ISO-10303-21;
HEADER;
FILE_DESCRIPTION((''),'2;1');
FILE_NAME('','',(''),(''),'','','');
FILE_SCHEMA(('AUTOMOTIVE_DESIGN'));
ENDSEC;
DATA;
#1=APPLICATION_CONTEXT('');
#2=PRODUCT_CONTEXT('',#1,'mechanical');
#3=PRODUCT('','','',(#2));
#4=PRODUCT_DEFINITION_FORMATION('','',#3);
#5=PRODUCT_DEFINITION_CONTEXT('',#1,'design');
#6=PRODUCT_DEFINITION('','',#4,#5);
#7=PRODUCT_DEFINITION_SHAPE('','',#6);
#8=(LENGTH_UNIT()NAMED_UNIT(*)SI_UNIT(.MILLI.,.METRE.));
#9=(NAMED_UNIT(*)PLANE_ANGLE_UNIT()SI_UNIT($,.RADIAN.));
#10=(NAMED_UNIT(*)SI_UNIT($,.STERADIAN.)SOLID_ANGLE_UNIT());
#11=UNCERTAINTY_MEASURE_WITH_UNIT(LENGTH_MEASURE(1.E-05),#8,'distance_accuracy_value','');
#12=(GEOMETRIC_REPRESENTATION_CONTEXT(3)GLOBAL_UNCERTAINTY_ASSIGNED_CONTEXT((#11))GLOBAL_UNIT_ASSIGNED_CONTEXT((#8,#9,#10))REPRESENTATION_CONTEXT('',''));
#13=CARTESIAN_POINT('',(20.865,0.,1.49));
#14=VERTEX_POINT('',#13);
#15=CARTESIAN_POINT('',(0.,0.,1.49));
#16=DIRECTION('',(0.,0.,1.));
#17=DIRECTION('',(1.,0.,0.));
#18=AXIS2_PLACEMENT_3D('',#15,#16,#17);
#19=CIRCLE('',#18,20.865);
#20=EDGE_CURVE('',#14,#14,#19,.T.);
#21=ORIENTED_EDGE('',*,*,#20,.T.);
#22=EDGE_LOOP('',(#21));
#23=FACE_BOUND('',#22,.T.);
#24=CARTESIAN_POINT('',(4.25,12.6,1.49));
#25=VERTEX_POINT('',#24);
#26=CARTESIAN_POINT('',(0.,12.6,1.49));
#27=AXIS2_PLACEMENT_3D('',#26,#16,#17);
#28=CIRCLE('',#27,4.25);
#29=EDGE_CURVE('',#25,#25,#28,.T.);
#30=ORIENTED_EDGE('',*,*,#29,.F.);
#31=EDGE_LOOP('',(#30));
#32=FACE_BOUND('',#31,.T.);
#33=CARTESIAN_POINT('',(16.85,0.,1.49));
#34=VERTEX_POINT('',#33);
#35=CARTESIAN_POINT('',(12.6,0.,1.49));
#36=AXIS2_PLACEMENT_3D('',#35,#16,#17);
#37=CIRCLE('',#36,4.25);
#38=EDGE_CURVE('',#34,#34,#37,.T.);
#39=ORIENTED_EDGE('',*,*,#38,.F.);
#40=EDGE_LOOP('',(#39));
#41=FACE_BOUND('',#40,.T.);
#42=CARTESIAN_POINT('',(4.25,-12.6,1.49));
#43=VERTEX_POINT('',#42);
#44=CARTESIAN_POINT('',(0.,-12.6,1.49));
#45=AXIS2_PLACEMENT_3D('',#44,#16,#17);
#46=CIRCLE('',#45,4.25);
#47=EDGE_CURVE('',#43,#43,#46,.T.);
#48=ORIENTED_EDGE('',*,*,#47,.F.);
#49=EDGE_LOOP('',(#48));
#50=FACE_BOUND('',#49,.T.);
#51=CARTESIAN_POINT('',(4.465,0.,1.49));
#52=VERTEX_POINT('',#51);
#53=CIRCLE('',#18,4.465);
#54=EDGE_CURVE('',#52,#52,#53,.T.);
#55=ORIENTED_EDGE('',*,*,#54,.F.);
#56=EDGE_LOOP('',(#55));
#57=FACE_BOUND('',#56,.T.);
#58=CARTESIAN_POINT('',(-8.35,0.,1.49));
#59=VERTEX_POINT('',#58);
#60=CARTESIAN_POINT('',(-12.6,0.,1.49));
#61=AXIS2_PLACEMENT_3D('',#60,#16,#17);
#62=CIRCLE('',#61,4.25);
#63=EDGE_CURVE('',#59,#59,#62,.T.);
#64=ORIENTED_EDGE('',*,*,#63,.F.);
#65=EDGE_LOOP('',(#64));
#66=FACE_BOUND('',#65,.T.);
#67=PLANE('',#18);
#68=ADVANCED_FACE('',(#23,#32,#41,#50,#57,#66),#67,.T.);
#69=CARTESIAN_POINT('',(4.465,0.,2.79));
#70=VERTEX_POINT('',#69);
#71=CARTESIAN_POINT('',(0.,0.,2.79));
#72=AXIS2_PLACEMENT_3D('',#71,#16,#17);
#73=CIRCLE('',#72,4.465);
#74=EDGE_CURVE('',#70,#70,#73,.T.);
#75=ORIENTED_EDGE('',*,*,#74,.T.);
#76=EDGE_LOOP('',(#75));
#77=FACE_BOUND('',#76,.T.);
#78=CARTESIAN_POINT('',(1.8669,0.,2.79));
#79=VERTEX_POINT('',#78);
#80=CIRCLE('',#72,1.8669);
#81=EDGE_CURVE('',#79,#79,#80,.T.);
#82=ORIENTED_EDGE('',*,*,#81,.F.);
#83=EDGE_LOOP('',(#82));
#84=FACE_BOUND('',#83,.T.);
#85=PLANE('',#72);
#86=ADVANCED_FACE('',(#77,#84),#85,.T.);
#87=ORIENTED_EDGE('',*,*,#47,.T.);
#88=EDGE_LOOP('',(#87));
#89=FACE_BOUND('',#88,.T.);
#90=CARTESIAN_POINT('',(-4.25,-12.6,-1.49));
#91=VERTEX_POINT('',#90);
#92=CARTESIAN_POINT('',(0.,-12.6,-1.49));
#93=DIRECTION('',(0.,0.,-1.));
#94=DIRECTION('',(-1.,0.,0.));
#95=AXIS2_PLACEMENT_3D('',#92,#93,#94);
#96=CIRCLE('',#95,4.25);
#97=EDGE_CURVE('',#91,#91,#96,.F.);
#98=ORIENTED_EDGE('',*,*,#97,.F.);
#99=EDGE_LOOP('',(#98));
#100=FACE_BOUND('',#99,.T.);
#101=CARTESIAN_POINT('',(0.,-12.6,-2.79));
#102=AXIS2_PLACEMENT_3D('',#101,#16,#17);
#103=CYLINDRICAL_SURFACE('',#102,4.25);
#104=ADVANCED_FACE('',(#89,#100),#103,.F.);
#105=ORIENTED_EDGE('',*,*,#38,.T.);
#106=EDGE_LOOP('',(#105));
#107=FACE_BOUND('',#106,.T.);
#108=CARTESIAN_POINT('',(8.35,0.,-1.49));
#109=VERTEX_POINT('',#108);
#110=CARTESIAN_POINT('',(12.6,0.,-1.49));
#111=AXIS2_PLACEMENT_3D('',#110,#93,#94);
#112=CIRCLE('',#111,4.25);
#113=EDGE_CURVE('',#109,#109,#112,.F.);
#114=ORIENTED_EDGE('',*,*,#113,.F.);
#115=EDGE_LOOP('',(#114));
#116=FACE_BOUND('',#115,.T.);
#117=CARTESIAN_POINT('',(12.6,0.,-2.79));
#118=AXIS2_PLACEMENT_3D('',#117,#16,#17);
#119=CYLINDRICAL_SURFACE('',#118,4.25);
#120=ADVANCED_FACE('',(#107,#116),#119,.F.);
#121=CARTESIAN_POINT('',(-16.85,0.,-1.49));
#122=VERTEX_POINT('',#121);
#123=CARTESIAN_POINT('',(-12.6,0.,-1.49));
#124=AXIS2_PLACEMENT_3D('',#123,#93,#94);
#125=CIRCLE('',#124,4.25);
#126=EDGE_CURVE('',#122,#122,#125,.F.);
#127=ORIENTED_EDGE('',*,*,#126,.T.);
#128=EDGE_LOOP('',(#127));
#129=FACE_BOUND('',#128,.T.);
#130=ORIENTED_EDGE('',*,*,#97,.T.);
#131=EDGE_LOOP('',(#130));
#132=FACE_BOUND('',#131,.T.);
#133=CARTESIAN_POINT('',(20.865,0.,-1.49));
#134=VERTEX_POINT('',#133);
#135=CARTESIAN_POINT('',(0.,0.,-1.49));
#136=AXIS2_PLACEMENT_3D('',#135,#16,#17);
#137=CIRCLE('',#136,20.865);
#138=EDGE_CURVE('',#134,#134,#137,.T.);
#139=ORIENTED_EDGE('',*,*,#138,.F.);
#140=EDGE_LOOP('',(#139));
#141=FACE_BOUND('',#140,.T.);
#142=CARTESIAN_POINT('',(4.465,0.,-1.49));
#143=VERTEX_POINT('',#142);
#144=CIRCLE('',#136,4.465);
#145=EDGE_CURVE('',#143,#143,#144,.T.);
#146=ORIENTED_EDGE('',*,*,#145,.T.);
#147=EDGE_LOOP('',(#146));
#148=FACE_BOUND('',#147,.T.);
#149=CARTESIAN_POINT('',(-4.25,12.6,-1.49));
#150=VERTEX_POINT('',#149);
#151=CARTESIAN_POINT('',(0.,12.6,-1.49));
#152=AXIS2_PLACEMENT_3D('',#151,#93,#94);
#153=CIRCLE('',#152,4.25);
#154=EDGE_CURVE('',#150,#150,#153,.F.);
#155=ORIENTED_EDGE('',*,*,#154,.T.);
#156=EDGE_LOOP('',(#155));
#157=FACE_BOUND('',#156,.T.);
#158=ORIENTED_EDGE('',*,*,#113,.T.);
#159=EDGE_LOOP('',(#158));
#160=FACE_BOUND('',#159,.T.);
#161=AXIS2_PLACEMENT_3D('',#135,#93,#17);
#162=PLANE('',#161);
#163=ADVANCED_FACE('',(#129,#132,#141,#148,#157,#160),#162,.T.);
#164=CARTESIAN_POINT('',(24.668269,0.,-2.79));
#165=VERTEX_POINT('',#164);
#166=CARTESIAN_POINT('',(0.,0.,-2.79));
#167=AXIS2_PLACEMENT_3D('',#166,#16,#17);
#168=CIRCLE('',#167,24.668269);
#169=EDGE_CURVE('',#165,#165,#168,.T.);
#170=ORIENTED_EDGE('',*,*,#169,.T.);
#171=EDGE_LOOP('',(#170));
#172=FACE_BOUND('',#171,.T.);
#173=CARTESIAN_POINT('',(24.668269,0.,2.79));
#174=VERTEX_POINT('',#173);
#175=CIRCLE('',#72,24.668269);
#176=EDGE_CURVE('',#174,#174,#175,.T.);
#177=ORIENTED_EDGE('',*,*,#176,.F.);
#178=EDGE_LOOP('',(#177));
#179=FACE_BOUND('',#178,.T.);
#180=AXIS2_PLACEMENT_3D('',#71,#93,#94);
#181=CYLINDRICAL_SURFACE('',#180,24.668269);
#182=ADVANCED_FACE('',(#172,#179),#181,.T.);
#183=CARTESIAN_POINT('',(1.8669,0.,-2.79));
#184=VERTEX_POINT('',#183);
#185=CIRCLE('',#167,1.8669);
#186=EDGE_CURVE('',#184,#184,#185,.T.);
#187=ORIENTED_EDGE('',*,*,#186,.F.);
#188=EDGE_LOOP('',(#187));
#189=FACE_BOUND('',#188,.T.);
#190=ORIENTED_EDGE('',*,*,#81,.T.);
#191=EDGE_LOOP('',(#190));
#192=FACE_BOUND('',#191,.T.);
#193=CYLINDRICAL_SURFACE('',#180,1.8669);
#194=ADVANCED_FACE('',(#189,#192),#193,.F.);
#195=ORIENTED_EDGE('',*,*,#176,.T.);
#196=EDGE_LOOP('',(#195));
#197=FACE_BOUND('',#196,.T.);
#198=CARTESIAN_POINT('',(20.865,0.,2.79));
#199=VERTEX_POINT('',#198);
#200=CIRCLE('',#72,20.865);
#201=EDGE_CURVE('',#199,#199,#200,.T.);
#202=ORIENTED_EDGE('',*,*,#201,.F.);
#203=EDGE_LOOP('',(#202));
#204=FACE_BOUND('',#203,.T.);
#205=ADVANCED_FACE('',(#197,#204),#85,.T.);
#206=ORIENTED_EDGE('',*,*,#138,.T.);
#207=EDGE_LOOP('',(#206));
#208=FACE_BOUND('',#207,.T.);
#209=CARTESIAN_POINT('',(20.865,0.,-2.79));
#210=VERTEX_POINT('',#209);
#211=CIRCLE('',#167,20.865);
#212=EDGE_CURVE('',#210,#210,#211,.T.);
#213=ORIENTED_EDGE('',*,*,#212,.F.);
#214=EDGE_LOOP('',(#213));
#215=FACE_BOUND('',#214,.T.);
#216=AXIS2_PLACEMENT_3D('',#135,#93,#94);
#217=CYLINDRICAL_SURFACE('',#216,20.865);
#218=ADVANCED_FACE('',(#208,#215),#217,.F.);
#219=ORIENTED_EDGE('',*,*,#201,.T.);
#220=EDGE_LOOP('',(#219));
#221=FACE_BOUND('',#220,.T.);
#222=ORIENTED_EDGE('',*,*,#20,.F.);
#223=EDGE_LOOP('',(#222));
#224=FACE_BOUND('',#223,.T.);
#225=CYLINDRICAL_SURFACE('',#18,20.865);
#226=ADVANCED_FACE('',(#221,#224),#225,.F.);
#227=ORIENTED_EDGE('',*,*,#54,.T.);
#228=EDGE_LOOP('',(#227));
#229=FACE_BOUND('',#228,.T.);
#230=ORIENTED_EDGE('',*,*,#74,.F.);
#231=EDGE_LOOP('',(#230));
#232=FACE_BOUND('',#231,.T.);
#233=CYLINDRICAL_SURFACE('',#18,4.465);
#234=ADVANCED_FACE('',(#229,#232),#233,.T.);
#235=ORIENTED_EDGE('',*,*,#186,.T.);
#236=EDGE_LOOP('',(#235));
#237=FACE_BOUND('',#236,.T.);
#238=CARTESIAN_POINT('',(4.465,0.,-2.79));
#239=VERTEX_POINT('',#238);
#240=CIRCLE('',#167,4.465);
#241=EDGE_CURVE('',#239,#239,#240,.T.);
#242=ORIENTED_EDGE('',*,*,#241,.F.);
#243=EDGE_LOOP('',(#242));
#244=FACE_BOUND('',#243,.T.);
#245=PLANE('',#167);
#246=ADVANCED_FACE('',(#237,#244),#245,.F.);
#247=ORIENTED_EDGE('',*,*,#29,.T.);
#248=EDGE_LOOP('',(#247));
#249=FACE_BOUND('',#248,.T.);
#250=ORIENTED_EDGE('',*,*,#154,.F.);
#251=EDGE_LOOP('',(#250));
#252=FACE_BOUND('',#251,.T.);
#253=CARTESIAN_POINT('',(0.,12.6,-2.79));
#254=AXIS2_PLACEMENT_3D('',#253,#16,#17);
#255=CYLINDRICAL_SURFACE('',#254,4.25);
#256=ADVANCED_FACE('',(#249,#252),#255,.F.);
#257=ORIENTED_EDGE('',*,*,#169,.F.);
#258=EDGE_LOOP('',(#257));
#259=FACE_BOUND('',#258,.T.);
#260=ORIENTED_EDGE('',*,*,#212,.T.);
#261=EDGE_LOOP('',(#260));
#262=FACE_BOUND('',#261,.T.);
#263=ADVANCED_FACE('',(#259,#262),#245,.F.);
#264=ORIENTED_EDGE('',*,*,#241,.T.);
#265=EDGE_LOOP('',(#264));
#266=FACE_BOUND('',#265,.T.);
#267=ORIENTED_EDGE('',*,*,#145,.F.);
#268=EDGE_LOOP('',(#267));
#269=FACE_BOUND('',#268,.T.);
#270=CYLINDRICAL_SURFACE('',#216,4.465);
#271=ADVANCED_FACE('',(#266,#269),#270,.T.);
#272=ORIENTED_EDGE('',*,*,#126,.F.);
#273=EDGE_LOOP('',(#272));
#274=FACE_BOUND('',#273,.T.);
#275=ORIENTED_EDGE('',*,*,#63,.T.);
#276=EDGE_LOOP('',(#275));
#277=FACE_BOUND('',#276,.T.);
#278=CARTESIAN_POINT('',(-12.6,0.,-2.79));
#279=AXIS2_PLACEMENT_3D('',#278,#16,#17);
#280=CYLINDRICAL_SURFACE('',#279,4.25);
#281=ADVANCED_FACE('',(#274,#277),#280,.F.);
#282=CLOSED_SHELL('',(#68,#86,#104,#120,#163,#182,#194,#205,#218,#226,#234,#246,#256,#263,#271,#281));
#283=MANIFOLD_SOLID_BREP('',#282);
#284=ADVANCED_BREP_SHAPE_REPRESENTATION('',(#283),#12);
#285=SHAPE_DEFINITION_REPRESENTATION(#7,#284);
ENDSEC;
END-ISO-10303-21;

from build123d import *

# Parameters (mm, degrees)
SKETCH1_R           = 24.66826923
SKETCH1_R_2         = 1.8669
BOSS_EXTRUDE1_DEPTH = 2.79
SKETCH2_R           = 20.865
SKETCH2_R_2         = 4.465
CUT_EXTRUDE1_DEPTH  = 1.3
SKETCH3_R           = 4.25
CUT_EXTRUDE2_DEPTH  = 36.147765414


with BuildPart() as part:
    # Sketch1 → Boss-Extrude1 (new, symmetric)
    with BuildSketch(Plane.XY):
        Circle(SKETCH1_R)
        Circle(SKETCH1_R_2, mode=Mode.SUBTRACT)
    extrude(amount=BOSS_EXTRUDE1_DEPTH, both=True)

    # Sketch2 → Cut-Extrude1 (cut)
    with BuildSketch(Plane.XY.offset(2.79)):
        Circle(SKETCH2_R)
        Circle(SKETCH2_R_2, mode=Mode.SUBTRACT)
    cut_extrude1 = extrude(amount=-CUT_EXTRUDE1_DEPTH, mode=Mode.SUBTRACT)

    # Sketch3 → Cut-Extrude2 (cut, through all)
    with BuildSketch(Plane.XY.offset(1.49)):
        with Locations((0, 12.6)):
            Circle(SKETCH3_R)
        with Locations((12.6, 0)):
            Circle(SKETCH3_R)
        with Locations((0, -12.6)):
            Circle(SKETCH3_R)
        with Locations((-12.6, 0)):
            Circle(SKETCH3_R)
    extrude(amount=-CUT_EXTRUDE2_DEPTH, mode=Mode.SUBTRACT)

    # Mirror1: Cut-Extrude1 across plane
    add(cut_extrude1.mirror(Plane.XY), mode=Mode.SUBTRACT)


solid = part.part
